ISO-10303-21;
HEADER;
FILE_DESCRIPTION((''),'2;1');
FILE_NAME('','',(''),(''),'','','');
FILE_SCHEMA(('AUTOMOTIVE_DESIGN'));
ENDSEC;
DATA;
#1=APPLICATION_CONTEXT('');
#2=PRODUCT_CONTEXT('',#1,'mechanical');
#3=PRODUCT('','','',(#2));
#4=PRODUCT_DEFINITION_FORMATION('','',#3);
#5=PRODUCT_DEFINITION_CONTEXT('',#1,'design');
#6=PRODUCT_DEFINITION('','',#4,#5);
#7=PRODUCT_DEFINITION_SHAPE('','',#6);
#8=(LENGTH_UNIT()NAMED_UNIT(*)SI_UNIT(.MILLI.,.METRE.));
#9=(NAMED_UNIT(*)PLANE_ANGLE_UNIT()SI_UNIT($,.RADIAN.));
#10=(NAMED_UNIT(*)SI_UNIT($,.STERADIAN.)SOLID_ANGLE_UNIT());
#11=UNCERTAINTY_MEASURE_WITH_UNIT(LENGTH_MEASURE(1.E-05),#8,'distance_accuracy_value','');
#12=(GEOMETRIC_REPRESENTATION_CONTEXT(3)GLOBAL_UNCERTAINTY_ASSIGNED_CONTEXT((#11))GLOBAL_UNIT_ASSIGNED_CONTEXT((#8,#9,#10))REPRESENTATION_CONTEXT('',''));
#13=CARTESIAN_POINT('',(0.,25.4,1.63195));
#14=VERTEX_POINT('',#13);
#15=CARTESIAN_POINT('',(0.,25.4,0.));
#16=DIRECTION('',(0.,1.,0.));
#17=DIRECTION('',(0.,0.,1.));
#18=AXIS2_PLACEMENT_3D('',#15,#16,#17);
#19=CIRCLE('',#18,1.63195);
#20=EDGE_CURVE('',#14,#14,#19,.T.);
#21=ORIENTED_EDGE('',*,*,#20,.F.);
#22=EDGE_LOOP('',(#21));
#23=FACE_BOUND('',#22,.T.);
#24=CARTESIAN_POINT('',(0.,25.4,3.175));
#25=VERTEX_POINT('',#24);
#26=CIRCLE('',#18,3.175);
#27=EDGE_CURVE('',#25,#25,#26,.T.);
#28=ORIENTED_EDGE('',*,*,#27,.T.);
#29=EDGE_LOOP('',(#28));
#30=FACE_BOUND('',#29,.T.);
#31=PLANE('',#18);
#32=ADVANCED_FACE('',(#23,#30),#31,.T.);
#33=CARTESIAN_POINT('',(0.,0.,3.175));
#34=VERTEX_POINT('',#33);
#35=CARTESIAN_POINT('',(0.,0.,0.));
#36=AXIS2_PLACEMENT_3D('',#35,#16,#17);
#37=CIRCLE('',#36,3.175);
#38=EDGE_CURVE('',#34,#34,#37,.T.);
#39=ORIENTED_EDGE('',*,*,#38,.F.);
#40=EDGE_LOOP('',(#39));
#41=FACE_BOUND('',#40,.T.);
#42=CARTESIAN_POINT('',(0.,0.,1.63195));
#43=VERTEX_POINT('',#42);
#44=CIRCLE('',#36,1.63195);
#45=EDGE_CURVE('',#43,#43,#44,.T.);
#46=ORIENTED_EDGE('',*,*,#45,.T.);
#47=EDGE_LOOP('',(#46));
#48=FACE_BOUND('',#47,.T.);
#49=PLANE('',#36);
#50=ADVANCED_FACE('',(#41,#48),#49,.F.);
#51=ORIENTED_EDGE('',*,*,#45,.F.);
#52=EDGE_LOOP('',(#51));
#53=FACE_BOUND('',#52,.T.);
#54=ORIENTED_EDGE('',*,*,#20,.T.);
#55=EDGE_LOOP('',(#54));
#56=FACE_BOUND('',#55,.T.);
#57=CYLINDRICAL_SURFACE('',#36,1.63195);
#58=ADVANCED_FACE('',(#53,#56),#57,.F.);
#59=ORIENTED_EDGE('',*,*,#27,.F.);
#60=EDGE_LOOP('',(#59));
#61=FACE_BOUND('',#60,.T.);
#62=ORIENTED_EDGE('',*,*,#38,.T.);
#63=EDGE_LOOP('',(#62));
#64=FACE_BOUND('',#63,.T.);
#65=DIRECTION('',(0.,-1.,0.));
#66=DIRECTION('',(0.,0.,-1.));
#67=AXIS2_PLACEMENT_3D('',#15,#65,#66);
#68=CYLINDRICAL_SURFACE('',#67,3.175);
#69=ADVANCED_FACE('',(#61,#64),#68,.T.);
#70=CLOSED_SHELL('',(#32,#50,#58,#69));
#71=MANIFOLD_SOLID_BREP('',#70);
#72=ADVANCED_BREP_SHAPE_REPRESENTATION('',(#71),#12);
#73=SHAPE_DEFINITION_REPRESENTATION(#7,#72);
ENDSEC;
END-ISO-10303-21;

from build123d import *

# Parameters (mm, degrees)
SKETCH1_R           = 3.175
BOSS_EXTRUDE1_DEPTH = 25.4
SKETCH2_R           = 1.63195
CUT_EXTRUDE1_DEPTH  = 26.793821935


with BuildPart() as part:
    # Sketch1 → Boss-Extrude1 (new body)
    with BuildSketch(Plane(origin=(0, 0, 0), x_dir=(1, 0, 0), z_dir=(0, 1, 0))):
        with Locations(Location((0, 0, 0), (0, 0, 270))):
            Circle(SKETCH1_R)
    extrude(amount=BOSS_EXTRUDE1_DEPTH)

    # Sketch2 → Cut-Extrude1 (cut, through all)
    with BuildSketch(Plane(origin=(0, 25.4, 0), x_dir=(1, 0, 0), z_dir=(0, 1, 0))):
        with Locations(Location((0, 0, 0), (0, 0, 270))):
            Circle(SKETCH2_R)
    extrude(amount=-CUT_EXTRUDE1_DEPTH, mode=Mode.SUBTRACT)


solid = part.part
